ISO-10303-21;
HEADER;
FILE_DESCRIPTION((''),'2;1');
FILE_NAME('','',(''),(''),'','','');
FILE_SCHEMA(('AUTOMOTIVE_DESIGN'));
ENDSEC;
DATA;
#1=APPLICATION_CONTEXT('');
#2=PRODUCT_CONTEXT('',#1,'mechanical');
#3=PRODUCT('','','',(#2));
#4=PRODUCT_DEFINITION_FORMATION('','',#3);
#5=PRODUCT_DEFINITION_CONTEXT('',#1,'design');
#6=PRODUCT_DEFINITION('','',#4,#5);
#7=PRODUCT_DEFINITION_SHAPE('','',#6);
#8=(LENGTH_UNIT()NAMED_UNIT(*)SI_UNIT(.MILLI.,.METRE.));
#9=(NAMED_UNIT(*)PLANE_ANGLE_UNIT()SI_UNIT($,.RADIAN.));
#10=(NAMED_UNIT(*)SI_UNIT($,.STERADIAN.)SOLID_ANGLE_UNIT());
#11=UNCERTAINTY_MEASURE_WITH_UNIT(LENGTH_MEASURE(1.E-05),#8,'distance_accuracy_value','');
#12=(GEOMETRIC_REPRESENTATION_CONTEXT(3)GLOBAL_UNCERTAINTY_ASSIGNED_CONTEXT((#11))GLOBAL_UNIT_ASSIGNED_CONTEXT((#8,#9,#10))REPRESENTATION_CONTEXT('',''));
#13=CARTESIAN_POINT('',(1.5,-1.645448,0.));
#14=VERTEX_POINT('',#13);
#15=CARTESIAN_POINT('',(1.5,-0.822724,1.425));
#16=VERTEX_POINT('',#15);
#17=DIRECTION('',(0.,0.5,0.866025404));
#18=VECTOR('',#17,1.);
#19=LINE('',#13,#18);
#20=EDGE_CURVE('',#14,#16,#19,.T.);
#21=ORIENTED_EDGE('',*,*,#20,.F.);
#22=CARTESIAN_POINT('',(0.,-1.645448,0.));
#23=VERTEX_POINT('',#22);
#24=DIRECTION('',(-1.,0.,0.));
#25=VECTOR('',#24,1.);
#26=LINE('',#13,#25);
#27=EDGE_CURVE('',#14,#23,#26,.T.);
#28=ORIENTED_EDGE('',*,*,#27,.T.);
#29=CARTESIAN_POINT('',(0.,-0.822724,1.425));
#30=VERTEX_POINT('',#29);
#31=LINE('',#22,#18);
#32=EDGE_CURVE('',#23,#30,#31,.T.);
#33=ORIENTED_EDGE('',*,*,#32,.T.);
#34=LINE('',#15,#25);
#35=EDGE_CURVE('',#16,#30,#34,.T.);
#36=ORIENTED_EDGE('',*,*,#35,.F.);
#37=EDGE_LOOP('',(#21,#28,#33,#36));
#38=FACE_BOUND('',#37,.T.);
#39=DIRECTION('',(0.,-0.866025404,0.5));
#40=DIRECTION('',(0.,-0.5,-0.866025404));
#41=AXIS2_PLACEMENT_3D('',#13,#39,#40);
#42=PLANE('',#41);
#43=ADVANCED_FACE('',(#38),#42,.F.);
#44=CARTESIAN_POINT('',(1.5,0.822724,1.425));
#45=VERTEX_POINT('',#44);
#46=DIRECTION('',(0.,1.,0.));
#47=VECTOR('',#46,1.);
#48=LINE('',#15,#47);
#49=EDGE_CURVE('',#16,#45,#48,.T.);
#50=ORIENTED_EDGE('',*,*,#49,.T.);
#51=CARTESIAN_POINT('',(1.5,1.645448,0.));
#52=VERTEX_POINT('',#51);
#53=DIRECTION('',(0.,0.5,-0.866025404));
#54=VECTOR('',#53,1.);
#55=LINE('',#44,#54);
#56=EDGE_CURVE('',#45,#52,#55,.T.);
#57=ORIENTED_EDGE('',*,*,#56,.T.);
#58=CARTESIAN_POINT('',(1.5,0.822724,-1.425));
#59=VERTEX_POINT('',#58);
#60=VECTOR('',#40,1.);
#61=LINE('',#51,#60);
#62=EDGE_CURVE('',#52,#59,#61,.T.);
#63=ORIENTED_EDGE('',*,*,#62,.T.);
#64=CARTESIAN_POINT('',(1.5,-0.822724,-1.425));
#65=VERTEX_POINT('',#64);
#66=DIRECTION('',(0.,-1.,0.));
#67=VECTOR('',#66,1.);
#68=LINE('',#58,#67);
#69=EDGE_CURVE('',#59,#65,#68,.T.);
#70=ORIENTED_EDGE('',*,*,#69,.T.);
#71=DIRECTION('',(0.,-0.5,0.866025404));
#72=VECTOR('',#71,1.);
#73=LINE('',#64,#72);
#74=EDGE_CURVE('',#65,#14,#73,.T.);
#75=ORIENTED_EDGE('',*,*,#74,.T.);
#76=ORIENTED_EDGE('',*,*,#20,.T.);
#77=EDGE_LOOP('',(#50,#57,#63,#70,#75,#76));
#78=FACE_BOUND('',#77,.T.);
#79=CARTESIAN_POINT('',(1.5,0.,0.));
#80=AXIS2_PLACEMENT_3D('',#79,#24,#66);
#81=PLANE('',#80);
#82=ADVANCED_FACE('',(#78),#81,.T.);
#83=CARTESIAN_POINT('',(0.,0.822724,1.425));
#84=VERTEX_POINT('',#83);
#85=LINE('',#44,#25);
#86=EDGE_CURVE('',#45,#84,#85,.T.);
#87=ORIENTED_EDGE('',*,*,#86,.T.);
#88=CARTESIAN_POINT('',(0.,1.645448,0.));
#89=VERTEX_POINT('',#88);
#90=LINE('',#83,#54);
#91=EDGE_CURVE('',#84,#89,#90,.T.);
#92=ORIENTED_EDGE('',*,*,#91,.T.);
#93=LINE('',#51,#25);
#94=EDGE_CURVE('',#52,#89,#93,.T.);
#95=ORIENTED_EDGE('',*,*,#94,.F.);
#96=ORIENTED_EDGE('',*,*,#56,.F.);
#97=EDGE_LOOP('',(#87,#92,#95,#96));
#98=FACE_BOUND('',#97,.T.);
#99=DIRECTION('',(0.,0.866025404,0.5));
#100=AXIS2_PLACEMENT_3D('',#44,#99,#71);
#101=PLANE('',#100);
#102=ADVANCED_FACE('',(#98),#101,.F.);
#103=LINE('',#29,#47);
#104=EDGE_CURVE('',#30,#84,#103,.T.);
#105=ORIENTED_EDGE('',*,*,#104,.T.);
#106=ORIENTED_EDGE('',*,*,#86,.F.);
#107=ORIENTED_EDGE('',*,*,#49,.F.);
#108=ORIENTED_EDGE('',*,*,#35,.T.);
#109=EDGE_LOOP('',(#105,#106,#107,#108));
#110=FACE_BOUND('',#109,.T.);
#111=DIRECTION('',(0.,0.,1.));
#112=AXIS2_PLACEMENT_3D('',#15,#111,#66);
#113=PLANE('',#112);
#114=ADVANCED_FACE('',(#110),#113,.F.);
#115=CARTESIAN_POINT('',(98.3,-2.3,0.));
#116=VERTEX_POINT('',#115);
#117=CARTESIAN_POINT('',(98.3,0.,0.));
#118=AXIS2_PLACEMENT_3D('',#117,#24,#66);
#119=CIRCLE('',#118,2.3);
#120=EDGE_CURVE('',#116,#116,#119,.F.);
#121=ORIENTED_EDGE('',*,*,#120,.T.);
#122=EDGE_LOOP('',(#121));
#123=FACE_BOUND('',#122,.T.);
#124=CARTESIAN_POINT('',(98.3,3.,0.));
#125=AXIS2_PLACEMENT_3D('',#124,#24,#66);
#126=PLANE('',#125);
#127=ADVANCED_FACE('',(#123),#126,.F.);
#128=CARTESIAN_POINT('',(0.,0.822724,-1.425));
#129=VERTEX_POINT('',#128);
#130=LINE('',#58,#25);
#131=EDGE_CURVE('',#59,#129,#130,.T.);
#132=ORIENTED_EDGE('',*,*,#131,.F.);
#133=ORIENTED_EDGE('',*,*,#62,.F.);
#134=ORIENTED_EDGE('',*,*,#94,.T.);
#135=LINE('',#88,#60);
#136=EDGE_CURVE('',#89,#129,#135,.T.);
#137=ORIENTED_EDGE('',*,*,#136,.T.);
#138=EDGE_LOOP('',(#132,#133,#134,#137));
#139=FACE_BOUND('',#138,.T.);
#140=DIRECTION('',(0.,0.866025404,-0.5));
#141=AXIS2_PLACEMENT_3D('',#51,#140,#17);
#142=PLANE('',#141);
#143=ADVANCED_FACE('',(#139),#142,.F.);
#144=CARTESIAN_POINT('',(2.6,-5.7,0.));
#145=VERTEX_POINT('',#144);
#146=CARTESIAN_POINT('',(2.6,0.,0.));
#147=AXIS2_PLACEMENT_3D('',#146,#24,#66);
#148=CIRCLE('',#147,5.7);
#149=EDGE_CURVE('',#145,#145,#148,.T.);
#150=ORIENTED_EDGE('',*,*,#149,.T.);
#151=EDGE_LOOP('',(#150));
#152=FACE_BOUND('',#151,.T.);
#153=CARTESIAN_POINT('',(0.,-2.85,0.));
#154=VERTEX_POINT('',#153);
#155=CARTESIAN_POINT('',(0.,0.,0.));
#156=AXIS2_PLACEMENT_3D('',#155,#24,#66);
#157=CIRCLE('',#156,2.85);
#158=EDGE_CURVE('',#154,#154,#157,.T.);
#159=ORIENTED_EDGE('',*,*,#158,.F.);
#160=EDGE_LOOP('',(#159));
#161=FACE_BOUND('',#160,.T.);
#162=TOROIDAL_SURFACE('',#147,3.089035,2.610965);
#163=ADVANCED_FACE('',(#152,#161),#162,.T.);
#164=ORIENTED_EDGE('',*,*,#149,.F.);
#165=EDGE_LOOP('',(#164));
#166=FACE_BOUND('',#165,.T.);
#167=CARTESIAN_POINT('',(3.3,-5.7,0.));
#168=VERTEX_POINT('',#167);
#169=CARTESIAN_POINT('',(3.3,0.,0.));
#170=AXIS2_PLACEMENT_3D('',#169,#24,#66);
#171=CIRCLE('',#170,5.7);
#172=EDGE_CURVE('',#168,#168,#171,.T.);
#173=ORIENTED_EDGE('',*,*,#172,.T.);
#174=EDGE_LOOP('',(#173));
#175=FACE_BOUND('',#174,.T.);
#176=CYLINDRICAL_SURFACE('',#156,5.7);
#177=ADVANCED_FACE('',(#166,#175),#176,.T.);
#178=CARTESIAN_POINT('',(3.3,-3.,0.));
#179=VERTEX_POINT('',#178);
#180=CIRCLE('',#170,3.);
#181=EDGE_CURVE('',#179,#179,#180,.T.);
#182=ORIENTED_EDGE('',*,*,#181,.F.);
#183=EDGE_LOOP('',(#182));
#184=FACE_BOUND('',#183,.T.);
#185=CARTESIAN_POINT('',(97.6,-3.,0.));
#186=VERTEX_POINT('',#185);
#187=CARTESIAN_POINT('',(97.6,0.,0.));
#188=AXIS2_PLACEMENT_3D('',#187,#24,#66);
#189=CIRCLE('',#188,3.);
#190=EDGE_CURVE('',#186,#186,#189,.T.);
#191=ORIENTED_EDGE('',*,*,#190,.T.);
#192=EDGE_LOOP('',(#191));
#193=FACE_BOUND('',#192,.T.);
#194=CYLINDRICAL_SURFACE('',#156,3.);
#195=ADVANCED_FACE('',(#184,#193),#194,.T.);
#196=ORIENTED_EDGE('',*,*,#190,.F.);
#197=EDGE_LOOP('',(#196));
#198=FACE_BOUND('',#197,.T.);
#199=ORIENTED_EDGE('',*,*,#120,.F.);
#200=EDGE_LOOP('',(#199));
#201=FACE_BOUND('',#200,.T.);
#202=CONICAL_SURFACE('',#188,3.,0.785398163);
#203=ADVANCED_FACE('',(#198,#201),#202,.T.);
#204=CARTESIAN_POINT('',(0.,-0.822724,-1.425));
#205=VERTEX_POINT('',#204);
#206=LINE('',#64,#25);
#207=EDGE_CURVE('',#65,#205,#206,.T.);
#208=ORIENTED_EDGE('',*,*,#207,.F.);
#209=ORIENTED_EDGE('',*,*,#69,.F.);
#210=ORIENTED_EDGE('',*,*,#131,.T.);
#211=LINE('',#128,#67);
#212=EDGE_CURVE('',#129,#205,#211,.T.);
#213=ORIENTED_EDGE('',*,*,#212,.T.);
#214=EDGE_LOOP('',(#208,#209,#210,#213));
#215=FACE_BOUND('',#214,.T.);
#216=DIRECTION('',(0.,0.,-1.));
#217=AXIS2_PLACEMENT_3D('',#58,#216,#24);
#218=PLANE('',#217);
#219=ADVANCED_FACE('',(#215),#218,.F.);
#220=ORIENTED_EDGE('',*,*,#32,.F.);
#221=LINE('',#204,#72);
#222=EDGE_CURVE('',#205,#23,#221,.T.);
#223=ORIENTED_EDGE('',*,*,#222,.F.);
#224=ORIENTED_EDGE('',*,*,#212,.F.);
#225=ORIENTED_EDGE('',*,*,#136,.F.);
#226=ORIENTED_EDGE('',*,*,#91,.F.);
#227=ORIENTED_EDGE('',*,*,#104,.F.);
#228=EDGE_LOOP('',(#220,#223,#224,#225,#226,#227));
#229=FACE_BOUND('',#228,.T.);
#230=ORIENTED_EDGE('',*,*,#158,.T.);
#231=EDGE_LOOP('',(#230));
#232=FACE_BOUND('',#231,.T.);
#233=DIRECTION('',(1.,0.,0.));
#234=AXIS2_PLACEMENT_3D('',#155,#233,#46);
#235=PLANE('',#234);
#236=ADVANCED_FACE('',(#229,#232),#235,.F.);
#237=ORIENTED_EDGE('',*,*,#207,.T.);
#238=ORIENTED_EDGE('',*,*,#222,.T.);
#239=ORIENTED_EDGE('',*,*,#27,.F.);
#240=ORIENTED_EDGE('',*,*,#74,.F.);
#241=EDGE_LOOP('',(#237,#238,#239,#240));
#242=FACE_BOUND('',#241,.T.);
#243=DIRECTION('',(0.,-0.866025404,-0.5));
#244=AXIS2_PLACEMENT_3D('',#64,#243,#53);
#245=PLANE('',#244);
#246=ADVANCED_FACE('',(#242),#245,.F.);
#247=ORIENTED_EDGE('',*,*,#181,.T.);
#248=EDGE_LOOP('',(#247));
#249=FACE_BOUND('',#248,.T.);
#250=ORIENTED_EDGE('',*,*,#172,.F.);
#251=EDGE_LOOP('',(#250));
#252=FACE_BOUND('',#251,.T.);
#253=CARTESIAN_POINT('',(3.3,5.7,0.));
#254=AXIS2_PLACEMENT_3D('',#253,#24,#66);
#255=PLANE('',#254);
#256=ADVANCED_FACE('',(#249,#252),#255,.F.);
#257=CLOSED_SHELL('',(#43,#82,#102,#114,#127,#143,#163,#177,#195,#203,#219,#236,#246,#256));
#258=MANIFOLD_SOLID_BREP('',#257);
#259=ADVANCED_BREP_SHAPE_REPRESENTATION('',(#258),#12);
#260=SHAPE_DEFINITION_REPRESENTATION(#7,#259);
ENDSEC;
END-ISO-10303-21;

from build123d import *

# Parameters (mm, degrees)
PAH1_SIZE             = 0.7
KES_EKSTR_ZYON1_DEPTH = 1.5


with BuildPart() as part:
    # Çizim1 → Döndür1 (revolve)
    with BuildSketch(Plane.XY, mode=Mode.PRIVATE) as d_nd_r1_sk:
        with BuildLine():
            Line((0, 0), (98.3, 0))
            Line((98.3, 0), (98.3, 3))
            Line((98.3, 3), (3.3, 3))
            Line((3.3, 3), (3.3, 5.7))
            Line((3.3, 5.7), (2.6, 5.7))
            ThreePointArc((2.6, 5.7), (0.671107831, 4.848726189), (0, 2.85))
            Line((0, 2.85), (0, 0))
        make_face()
    revolve(d_nd_r1_sk.sketch.rotate(Axis((0, 0, 0), (1, 0, 0)), 180), axis=Axis((0, 0, 0), (1, 0, 0)))

    # Pah1
    pah1_edges = [part.edges().sort_by_distance(p)[0] for p in [
        (98.3, 3, 0),
    ]]
    chamfer(pah1_edges, length=PAH1_SIZE)

    # Çizim2 → Kes-Ekstrüzyon1 (cut)
    with BuildSketch(Plane.ZY):
        Polygon((0, 1.645448267), (-1.425, 0.822724134), (-1.425, -0.822724134), (0, -1.645448267), (1.425, -0.822724134), (1.425, 0.822724134), align=None)
    extrude(amount=-KES_EKSTR_ZYON1_DEPTH, mode=Mode.SUBTRACT)


solid = part.part
